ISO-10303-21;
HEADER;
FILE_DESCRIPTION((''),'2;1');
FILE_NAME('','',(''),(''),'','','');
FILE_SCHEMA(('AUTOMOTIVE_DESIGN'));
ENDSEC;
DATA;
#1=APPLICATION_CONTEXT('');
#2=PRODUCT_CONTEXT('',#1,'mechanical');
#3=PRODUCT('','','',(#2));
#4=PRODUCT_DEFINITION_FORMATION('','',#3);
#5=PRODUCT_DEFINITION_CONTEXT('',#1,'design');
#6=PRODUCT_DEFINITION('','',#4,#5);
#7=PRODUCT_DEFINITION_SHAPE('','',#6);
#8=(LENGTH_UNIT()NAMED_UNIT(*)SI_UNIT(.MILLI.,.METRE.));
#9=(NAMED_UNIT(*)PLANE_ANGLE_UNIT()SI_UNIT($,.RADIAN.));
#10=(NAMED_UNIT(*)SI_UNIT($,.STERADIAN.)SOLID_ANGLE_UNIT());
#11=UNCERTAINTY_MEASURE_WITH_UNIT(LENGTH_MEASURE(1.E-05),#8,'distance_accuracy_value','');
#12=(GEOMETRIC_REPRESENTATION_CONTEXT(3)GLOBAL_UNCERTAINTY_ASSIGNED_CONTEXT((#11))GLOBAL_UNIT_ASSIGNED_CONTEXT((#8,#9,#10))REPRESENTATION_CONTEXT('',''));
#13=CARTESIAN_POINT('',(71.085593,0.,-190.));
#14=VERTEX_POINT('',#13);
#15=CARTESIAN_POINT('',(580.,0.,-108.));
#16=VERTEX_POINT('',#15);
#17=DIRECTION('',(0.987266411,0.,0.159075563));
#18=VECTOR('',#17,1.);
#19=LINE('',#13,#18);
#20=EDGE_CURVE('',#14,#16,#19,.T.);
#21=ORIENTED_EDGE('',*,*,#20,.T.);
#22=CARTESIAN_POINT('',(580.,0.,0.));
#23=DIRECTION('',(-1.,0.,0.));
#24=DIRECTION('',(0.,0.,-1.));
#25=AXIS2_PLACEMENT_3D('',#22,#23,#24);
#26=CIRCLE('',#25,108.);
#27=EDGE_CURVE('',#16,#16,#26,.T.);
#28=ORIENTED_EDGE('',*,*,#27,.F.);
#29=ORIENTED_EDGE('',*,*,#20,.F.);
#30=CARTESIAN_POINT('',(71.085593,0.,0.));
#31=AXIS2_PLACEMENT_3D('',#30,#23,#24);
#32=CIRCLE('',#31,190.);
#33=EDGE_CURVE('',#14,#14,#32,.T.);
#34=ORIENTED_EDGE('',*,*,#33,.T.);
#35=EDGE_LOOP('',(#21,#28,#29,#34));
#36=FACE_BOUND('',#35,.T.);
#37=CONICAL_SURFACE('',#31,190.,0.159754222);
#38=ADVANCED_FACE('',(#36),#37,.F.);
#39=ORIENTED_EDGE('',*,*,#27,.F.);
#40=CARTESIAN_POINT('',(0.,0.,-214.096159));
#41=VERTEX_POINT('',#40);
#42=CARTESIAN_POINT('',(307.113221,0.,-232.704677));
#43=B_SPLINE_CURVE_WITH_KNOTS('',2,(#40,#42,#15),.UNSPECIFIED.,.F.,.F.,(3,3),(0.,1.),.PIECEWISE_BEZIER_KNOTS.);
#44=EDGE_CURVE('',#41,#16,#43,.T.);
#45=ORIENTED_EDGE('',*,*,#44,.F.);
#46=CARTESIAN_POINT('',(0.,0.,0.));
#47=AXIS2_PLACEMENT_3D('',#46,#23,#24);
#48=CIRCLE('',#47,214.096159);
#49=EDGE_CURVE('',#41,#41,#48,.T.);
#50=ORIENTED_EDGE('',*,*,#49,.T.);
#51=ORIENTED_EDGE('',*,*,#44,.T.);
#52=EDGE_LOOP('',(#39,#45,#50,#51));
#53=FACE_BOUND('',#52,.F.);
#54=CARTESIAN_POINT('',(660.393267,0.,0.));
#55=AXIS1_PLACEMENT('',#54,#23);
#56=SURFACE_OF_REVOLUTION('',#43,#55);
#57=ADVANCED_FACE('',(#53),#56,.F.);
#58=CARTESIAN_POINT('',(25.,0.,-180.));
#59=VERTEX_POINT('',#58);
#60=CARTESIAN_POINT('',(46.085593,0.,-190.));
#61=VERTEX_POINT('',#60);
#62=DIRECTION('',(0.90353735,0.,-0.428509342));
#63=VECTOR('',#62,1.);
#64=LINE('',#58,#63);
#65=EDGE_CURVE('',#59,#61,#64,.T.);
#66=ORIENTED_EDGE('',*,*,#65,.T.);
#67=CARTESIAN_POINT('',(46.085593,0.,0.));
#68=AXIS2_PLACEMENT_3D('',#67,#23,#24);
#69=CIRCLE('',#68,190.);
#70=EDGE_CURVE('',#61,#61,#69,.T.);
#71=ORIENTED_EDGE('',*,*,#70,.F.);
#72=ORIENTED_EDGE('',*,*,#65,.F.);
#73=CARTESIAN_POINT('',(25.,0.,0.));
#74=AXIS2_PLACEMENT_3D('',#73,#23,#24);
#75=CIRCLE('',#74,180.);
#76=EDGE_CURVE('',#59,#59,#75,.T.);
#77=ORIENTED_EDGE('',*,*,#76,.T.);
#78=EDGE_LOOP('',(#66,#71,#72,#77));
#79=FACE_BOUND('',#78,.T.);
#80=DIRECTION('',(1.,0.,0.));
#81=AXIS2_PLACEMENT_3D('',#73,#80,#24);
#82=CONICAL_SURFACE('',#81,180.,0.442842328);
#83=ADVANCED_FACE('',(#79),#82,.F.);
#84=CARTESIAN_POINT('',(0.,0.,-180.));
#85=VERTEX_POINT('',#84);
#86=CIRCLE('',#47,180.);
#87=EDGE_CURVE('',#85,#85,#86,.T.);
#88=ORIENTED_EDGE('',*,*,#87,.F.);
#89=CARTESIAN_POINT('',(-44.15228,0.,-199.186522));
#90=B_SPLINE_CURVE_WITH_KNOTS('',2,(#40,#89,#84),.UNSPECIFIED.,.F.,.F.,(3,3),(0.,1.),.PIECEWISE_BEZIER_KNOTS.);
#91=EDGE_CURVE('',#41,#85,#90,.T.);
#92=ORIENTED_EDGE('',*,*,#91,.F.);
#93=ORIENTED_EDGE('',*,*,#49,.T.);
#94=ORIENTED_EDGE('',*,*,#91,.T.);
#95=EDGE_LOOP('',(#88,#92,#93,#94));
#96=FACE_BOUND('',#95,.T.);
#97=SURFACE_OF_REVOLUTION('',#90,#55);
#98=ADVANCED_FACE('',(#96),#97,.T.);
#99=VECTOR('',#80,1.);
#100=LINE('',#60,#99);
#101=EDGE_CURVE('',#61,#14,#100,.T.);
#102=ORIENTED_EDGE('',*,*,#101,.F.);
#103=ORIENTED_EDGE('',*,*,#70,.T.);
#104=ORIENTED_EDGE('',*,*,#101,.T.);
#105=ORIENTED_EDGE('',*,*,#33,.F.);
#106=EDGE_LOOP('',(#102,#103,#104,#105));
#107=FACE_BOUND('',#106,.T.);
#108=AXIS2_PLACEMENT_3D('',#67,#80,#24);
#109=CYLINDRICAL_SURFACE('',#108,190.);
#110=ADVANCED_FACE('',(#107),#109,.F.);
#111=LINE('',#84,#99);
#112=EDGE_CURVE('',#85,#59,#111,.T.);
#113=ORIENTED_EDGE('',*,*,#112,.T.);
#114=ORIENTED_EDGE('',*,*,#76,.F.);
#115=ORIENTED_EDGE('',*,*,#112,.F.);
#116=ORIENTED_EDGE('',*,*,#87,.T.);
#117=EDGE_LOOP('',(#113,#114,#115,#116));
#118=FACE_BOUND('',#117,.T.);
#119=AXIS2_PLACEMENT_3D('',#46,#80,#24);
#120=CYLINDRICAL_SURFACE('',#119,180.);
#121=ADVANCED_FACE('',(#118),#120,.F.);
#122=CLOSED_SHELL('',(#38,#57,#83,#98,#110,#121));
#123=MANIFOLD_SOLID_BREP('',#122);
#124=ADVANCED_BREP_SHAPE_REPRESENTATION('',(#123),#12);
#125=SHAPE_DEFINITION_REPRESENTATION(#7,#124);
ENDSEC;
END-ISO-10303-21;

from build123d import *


with BuildPart() as part:
    # Sketch2 → Revolve1 (revolve)
    with BuildSketch(Plane.XY, mode=Mode.PRIVATE) as revolve1_sk:
        with BuildLine():
            Line((0, 180), (25, 180))
            Line((25, 180), (46.085592802, 190))
            Line((46.085592802, 190), (71.085592802, 190))
            Line((71.085592802, 190), (580, 108))
            add(Edge.make_bspline(
                [(0, 214.096159007), (307.113220799, 232.704676897), (580, 108)],
                knots=[0, 0, 0, 1, 1, 1], degree=2))
            add(Edge.make_bspline(
                [(0, 214.096159007), (-44.152280258, 199.186521683), (0, 180)],
                knots=[0, 0, 0, 1, 1, 1], degree=2))
        make_face()
    revolve(revolve1_sk.sketch.rotate(Axis((660.393267449, 0, 0), (-1, 0, 0)), 90), axis=Axis((660.393267449, 0, 0), (-1, 0, 0)))


solid = part.part
